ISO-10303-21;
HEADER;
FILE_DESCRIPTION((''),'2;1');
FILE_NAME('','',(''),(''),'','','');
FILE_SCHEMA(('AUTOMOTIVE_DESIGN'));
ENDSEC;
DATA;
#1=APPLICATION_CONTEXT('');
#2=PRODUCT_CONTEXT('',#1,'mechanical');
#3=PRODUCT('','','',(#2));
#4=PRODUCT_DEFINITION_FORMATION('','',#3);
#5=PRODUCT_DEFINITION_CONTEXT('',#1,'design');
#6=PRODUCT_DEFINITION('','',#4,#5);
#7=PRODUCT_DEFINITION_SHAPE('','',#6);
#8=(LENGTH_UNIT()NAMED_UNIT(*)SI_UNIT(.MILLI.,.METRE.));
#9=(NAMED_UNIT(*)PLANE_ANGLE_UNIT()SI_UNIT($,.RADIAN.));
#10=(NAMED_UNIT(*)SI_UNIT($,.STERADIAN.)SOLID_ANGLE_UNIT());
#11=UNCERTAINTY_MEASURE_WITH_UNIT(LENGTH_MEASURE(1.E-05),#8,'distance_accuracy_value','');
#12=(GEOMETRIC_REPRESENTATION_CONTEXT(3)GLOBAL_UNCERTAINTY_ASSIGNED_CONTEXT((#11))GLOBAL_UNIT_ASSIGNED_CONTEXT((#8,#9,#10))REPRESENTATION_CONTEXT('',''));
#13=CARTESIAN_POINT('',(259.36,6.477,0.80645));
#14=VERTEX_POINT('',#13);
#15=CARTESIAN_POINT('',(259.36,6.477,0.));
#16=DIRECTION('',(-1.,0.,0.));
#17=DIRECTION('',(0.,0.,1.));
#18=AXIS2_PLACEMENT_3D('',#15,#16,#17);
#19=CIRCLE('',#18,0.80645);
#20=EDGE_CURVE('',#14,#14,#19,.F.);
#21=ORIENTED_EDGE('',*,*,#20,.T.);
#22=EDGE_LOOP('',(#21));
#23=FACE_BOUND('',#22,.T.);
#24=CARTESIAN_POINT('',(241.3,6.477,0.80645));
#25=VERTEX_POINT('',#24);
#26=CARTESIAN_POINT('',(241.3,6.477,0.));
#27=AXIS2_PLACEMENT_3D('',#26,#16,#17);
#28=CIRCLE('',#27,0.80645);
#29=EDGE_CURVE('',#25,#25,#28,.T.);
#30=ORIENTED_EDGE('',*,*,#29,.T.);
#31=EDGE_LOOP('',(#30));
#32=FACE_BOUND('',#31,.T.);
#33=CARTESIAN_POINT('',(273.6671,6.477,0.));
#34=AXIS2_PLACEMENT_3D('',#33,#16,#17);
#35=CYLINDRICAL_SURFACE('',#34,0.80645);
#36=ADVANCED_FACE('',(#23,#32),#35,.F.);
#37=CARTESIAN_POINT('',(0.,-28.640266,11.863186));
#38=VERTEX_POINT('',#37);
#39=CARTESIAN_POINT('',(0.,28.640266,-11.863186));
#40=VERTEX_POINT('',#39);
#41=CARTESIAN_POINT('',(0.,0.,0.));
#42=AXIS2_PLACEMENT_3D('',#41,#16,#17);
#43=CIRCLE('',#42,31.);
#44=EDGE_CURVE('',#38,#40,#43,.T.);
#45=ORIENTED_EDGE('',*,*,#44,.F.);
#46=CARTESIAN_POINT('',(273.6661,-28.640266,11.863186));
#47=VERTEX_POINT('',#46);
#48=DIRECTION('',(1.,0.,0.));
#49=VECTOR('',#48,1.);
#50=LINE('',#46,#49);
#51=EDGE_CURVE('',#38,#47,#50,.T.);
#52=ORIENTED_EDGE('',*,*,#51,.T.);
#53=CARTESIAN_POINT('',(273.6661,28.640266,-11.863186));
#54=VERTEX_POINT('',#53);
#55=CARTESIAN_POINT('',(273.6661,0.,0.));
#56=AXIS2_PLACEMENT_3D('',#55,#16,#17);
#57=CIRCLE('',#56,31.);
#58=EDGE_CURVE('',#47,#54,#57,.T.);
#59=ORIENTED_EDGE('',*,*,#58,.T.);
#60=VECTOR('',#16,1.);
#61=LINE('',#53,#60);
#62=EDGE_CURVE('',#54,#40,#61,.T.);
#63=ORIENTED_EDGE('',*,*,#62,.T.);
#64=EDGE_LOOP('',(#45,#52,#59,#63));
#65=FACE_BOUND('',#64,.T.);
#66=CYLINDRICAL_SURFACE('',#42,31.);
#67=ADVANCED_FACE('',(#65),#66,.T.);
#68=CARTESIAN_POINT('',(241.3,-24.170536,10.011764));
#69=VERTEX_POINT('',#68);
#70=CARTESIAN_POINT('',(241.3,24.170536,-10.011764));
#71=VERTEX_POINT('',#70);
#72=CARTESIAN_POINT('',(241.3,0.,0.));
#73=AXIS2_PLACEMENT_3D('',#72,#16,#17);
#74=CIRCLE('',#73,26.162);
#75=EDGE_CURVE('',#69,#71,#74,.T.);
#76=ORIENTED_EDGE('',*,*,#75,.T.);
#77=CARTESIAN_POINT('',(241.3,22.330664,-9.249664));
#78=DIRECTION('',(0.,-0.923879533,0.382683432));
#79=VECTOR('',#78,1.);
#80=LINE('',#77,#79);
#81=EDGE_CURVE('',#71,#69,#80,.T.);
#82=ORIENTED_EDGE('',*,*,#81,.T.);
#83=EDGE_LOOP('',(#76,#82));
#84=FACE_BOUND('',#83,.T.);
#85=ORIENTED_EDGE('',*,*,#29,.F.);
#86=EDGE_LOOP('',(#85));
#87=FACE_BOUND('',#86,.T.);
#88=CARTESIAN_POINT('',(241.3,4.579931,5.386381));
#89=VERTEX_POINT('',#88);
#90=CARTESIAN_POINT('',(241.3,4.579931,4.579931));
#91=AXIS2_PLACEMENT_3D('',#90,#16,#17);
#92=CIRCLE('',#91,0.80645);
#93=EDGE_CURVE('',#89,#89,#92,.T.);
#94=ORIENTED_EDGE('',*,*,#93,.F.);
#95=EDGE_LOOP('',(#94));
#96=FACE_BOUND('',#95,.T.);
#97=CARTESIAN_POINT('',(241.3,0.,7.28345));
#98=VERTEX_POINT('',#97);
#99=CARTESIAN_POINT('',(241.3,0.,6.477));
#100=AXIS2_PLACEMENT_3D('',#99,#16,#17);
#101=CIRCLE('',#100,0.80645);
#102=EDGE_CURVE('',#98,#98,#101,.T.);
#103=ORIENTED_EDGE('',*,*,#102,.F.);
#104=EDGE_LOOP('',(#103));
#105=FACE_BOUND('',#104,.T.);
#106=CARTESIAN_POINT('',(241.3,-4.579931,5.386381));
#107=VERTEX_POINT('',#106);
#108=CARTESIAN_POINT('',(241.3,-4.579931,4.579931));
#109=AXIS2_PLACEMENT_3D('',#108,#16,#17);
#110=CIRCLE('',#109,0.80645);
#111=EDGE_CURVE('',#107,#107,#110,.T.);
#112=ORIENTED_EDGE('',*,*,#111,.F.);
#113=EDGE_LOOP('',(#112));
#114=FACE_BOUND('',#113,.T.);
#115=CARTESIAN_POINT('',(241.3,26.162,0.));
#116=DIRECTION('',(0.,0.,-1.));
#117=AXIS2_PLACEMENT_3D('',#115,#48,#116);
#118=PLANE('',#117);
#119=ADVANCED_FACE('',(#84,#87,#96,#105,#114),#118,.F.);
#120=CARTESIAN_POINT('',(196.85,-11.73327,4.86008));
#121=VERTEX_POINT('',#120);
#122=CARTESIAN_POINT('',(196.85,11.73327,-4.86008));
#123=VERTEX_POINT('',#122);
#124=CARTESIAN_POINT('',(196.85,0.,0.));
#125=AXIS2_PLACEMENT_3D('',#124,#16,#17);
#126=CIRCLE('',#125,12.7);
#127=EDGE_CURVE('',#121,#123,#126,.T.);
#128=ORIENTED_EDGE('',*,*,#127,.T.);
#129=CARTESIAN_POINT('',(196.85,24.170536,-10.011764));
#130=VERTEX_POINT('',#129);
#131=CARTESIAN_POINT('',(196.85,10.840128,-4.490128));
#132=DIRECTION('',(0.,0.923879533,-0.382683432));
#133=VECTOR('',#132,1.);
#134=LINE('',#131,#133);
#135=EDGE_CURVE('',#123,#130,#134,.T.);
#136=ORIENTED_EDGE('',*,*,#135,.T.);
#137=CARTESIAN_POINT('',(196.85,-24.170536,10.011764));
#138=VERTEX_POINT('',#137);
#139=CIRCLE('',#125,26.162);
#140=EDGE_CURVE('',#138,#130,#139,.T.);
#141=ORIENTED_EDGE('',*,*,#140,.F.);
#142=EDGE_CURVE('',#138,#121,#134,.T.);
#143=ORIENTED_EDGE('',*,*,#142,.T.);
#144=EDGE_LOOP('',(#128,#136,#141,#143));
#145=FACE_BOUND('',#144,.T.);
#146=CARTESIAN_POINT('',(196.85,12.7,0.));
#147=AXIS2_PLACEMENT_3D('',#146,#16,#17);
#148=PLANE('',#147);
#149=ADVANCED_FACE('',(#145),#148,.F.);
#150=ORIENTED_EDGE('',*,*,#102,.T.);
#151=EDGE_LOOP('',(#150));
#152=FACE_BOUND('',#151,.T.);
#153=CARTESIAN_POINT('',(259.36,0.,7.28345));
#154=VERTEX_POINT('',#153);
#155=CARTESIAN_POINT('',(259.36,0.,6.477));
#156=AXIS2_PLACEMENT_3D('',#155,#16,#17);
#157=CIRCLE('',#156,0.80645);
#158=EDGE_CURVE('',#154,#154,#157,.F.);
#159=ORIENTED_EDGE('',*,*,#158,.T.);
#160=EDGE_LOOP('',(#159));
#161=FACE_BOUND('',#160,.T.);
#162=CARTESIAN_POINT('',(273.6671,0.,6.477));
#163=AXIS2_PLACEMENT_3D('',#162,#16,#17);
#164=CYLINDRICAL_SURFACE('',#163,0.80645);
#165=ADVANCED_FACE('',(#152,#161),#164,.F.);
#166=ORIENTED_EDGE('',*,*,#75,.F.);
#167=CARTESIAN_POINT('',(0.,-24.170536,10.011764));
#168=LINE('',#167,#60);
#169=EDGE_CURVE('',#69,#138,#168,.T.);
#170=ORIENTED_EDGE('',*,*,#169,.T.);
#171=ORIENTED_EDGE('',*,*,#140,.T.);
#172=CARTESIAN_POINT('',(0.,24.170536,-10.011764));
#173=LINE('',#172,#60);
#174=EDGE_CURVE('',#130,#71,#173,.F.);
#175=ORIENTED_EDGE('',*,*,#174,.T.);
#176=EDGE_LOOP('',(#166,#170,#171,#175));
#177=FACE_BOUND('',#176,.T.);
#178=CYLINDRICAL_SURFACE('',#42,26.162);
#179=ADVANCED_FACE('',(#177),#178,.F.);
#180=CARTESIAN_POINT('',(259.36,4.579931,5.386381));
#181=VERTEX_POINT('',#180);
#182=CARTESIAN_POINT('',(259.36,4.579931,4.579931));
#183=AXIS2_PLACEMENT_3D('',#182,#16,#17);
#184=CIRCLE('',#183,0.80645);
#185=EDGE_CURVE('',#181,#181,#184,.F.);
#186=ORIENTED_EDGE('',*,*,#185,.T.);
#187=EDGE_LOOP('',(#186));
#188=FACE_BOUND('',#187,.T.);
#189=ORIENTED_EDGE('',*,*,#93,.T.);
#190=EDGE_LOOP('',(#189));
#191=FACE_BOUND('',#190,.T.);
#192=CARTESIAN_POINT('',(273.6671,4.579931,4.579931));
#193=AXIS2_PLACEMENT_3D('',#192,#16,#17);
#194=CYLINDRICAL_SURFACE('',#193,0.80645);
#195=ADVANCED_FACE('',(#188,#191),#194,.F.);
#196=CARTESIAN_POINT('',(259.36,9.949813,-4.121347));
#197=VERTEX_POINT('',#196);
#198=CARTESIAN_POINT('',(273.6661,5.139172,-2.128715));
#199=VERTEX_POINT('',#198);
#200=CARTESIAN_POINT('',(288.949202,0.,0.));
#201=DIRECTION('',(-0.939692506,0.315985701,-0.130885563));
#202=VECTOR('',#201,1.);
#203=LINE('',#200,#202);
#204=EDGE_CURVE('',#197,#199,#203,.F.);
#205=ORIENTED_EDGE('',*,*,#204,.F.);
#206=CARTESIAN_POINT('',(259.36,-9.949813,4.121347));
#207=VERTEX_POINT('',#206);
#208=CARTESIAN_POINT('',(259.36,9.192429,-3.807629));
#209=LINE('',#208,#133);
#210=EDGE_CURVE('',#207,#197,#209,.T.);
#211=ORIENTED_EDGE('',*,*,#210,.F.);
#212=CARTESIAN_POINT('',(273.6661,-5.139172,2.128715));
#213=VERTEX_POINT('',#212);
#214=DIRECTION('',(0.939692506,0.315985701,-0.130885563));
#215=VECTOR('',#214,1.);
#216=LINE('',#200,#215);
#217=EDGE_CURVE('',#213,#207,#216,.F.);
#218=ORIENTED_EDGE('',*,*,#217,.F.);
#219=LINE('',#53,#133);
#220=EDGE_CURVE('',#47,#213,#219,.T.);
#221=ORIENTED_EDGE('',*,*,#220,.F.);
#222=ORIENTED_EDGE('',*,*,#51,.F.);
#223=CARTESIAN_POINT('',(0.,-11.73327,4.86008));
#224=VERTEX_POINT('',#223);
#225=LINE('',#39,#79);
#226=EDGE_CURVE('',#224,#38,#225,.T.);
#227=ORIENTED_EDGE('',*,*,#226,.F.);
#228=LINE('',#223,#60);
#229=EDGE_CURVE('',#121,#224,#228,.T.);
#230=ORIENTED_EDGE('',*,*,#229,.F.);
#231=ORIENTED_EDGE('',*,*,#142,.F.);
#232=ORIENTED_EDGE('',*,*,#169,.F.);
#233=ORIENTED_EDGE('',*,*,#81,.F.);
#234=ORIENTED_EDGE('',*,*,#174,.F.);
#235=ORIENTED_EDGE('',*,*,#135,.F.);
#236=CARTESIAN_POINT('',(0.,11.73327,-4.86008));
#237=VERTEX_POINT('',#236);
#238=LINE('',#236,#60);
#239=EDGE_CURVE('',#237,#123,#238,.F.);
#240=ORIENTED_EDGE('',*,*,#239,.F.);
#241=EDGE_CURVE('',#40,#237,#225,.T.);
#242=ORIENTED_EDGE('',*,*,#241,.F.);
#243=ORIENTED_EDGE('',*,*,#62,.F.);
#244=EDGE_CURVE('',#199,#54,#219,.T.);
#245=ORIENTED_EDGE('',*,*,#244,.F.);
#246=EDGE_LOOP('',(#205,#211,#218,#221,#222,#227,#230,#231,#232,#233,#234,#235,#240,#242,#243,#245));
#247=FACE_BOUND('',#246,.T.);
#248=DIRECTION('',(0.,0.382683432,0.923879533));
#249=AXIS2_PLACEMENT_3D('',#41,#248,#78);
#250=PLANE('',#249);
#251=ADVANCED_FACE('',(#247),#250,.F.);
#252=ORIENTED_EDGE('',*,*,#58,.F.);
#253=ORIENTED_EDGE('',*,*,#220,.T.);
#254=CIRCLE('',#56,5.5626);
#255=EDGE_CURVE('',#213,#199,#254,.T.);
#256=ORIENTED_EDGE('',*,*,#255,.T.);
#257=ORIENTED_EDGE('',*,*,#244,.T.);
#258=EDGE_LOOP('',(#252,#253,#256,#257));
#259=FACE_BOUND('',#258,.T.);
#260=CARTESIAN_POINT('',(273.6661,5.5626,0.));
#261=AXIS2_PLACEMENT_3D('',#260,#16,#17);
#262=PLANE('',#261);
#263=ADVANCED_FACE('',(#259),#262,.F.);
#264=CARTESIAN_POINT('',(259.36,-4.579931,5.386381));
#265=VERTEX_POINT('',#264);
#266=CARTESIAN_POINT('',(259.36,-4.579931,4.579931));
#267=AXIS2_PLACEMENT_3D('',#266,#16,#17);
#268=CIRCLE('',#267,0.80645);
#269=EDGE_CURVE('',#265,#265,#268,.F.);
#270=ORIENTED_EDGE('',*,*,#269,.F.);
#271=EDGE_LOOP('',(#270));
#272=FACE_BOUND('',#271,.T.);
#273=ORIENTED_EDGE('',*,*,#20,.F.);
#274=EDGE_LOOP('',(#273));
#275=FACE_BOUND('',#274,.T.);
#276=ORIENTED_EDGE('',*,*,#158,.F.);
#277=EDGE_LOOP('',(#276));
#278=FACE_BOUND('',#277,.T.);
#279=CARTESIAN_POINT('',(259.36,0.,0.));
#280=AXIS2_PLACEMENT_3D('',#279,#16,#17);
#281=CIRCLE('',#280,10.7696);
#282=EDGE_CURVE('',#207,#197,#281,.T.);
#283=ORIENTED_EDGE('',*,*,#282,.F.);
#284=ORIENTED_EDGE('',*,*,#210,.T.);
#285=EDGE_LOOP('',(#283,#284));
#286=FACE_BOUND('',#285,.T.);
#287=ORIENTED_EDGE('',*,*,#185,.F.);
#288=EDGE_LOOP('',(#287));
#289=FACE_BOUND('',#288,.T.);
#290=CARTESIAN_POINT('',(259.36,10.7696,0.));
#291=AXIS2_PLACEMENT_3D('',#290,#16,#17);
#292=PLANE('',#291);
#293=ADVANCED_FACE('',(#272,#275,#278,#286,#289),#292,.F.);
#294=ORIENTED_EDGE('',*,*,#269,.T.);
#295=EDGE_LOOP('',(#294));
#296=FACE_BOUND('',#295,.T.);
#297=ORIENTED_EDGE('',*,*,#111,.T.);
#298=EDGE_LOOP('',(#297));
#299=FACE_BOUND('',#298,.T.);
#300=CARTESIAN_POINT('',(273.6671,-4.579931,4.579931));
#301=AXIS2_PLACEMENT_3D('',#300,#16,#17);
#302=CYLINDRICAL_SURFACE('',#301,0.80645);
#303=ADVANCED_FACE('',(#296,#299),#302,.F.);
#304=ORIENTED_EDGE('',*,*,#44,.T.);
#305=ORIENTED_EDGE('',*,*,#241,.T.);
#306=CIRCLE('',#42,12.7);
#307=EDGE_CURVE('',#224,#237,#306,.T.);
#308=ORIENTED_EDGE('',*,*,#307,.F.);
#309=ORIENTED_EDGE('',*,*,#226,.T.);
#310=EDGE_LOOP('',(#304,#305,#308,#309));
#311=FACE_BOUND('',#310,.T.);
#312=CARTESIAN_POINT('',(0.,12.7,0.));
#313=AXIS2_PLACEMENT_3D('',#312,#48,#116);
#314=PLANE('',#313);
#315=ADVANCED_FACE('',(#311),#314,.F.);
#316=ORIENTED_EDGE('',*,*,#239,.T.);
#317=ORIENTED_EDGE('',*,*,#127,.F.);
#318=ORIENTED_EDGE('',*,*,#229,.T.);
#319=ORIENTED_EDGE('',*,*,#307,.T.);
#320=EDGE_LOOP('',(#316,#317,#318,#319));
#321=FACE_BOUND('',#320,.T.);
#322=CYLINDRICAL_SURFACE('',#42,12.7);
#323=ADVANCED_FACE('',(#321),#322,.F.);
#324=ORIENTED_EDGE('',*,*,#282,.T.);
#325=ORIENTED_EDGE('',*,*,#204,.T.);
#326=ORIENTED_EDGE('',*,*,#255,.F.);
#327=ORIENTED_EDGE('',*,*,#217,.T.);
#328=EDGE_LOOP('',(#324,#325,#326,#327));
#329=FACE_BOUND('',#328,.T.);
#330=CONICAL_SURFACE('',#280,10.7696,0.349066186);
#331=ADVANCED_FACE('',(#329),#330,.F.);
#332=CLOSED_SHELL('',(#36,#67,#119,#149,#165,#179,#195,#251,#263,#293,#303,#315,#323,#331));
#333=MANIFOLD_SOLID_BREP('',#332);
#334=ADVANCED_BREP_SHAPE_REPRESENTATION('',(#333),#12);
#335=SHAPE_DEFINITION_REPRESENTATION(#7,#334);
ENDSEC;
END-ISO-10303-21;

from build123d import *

# Parameters (mm, degrees)
CUT_EXTRUDE1_REACH = 247.25
SKETCH3_R          = 0.80645
SKETCH4_W          = 62
SKETCH4_H          = 273.6661
CUT_EXTRUDE2_DEPTH = 278.155433447


with BuildPart() as part:
    # Sketch1 → Revolve1 (revolve)
    with BuildSketch(Plane.XY, mode=Mode.PRIVATE) as revolve1_sk:
        Polygon((0, 12.7), (196.85, 12.7), (196.85, 26.162), (241.3, 26.162), (241.3, 0), (259.36, 0), (259.36, 10.7696), (273.6661, 5.5626), (273.6661, 31), (0, 31), align=None)
    revolve(revolve1_sk.sketch.rotate(Axis((0, 0, 0), (1, 0, 0)), 90), axis=Axis((0, 0, 0), (1, 0, 0)))

    # Sketch3 → Cut-Extrude1 (cut, up to next)
    with BuildSketch(Plane.ZY.offset(-241.3), mode=Mode.PRIVATE) as cut_extrude1_sk1:
        with Locations((0, 6.477)):
            Circle(SKETCH3_R)
    cut_extrude1_tool1 = extrude(cut_extrude1_sk1.sketch, amount=-CUT_EXTRUDE1_REACH, mode=Mode.PRIVATE) & part.part
    # Sketch3 → Cut-Extrude1 (cut, up to next)
    with BuildSketch(Plane.ZY.offset(-241.3), mode=Mode.PRIVATE) as cut_extrude1_sk2:
        with Locations((4.579930622, 4.579930622)):
            Circle(SKETCH3_R)
    cut_extrude1_tool2 = extrude(cut_extrude1_sk2.sketch, amount=-CUT_EXTRUDE1_REACH, mode=Mode.PRIVATE) & part.part
    # Sketch3 → Cut-Extrude1 (cut, up to next)
    with BuildSketch(Plane.ZY.offset(-241.3), mode=Mode.PRIVATE) as cut_extrude1_sk3:
        with Locations((6.477, 0)):
            Circle(SKETCH3_R)
    cut_extrude1_tool3 = extrude(cut_extrude1_sk3.sketch, amount=-CUT_EXTRUDE1_REACH, mode=Mode.PRIVATE) & part.part
    # Sketch3 → Cut-Extrude1 (cut, up to next)
    with BuildSketch(Plane.ZY.offset(-241.3), mode=Mode.PRIVATE) as cut_extrude1_sk4:
        with Locations((4.579930622, -4.579930622)):
            Circle(SKETCH3_R)
    cut_extrude1_tool4 = extrude(cut_extrude1_sk4.sketch, amount=-CUT_EXTRUDE1_REACH, mode=Mode.PRIVATE) & part.part
    # Sketch3 → Cut-Extrude1 (cut, up to next)
    with BuildSketch(Plane.ZY.offset(-241.3), mode=Mode.PRIVATE) as cut_extrude1_sk5:
        with Locations((0, -6.477)):
            Circle(SKETCH3_R)
    cut_extrude1_tool5 = extrude(cut_extrude1_sk5.sketch, amount=-CUT_EXTRUDE1_REACH, mode=Mode.PRIVATE) & part.part
    # Sketch3 → Cut-Extrude1 (cut, up to next)
    with BuildSketch(Plane.ZY.offset(-241.3), mode=Mode.PRIVATE) as cut_extrude1_sk6:
        with Locations((-4.579930622, -4.579930622)):
            Circle(SKETCH3_R)
    cut_extrude1_tool6 = extrude(cut_extrude1_sk6.sketch, amount=-CUT_EXTRUDE1_REACH, mode=Mode.PRIVATE) & part.part
    # Sketch3 → Cut-Extrude1 (cut, up to next)
    with BuildSketch(Plane.ZY.offset(-241.3), mode=Mode.PRIVATE) as cut_extrude1_sk7:
        with Locations((-6.477, 0)):
            Circle(SKETCH3_R)
    cut_extrude1_tool7 = extrude(cut_extrude1_sk7.sketch, amount=-CUT_EXTRUDE1_REACH, mode=Mode.PRIVATE) & part.part
    # Sketch3 → Cut-Extrude1 (cut, up to next)
    with BuildSketch(Plane.ZY.offset(-241.3), mode=Mode.PRIVATE) as cut_extrude1_sk8:
        with Locations((-4.579930622, 4.579930622)):
            Circle(SKETCH3_R)
    cut_extrude1_tool8 = extrude(cut_extrude1_sk8.sketch, amount=-CUT_EXTRUDE1_REACH, mode=Mode.PRIVATE) & part.part
    add(cut_extrude1_tool1.solids().sort_by_distance((241.3, 6.477, 0))[0], mode=Mode.SUBTRACT)
    add(cut_extrude1_tool2.solids().sort_by_distance((241.3, 4.579931, 4.579931))[0], mode=Mode.SUBTRACT)
    add(cut_extrude1_tool3.solids().sort_by_distance((241.3, 0, 6.477))[0], mode=Mode.SUBTRACT)
    add(cut_extrude1_tool4.solids().sort_by_distance((241.3, -4.579931, 4.579931))[0], mode=Mode.SUBTRACT)
    add(cut_extrude1_tool5.solids().sort_by_distance((241.3, -6.477, 0))[0], mode=Mode.SUBTRACT)
    add(cut_extrude1_tool6.solids().sort_by_distance((241.3, -4.579931, -4.579931))[0], mode=Mode.SUBTRACT)
    add(cut_extrude1_tool7.solids().sort_by_distance((241.3, 0, -6.477))[0], mode=Mode.SUBTRACT)
    add(cut_extrude1_tool8.solids().sort_by_distance((241.3, 4.579931, -4.579931))[0], mode=Mode.SUBTRACT)

    # Sketch4 → Cut-Extrude2 (cut, through all)
    with BuildSketch(Plane(origin=(0, 0, 0), x_dir=(0, -0.9238795325112865, 0.38268343236509056), z_dir=(0, 0.3826834323650905, 0.9238795325112864))):
        with Locations((0, 136.83305)):
            Rectangle(SKETCH4_W, SKETCH4_H)
    extrude(amount=-CUT_EXTRUDE2_DEPTH, mode=Mode.SUBTRACT)


solid = part.part
